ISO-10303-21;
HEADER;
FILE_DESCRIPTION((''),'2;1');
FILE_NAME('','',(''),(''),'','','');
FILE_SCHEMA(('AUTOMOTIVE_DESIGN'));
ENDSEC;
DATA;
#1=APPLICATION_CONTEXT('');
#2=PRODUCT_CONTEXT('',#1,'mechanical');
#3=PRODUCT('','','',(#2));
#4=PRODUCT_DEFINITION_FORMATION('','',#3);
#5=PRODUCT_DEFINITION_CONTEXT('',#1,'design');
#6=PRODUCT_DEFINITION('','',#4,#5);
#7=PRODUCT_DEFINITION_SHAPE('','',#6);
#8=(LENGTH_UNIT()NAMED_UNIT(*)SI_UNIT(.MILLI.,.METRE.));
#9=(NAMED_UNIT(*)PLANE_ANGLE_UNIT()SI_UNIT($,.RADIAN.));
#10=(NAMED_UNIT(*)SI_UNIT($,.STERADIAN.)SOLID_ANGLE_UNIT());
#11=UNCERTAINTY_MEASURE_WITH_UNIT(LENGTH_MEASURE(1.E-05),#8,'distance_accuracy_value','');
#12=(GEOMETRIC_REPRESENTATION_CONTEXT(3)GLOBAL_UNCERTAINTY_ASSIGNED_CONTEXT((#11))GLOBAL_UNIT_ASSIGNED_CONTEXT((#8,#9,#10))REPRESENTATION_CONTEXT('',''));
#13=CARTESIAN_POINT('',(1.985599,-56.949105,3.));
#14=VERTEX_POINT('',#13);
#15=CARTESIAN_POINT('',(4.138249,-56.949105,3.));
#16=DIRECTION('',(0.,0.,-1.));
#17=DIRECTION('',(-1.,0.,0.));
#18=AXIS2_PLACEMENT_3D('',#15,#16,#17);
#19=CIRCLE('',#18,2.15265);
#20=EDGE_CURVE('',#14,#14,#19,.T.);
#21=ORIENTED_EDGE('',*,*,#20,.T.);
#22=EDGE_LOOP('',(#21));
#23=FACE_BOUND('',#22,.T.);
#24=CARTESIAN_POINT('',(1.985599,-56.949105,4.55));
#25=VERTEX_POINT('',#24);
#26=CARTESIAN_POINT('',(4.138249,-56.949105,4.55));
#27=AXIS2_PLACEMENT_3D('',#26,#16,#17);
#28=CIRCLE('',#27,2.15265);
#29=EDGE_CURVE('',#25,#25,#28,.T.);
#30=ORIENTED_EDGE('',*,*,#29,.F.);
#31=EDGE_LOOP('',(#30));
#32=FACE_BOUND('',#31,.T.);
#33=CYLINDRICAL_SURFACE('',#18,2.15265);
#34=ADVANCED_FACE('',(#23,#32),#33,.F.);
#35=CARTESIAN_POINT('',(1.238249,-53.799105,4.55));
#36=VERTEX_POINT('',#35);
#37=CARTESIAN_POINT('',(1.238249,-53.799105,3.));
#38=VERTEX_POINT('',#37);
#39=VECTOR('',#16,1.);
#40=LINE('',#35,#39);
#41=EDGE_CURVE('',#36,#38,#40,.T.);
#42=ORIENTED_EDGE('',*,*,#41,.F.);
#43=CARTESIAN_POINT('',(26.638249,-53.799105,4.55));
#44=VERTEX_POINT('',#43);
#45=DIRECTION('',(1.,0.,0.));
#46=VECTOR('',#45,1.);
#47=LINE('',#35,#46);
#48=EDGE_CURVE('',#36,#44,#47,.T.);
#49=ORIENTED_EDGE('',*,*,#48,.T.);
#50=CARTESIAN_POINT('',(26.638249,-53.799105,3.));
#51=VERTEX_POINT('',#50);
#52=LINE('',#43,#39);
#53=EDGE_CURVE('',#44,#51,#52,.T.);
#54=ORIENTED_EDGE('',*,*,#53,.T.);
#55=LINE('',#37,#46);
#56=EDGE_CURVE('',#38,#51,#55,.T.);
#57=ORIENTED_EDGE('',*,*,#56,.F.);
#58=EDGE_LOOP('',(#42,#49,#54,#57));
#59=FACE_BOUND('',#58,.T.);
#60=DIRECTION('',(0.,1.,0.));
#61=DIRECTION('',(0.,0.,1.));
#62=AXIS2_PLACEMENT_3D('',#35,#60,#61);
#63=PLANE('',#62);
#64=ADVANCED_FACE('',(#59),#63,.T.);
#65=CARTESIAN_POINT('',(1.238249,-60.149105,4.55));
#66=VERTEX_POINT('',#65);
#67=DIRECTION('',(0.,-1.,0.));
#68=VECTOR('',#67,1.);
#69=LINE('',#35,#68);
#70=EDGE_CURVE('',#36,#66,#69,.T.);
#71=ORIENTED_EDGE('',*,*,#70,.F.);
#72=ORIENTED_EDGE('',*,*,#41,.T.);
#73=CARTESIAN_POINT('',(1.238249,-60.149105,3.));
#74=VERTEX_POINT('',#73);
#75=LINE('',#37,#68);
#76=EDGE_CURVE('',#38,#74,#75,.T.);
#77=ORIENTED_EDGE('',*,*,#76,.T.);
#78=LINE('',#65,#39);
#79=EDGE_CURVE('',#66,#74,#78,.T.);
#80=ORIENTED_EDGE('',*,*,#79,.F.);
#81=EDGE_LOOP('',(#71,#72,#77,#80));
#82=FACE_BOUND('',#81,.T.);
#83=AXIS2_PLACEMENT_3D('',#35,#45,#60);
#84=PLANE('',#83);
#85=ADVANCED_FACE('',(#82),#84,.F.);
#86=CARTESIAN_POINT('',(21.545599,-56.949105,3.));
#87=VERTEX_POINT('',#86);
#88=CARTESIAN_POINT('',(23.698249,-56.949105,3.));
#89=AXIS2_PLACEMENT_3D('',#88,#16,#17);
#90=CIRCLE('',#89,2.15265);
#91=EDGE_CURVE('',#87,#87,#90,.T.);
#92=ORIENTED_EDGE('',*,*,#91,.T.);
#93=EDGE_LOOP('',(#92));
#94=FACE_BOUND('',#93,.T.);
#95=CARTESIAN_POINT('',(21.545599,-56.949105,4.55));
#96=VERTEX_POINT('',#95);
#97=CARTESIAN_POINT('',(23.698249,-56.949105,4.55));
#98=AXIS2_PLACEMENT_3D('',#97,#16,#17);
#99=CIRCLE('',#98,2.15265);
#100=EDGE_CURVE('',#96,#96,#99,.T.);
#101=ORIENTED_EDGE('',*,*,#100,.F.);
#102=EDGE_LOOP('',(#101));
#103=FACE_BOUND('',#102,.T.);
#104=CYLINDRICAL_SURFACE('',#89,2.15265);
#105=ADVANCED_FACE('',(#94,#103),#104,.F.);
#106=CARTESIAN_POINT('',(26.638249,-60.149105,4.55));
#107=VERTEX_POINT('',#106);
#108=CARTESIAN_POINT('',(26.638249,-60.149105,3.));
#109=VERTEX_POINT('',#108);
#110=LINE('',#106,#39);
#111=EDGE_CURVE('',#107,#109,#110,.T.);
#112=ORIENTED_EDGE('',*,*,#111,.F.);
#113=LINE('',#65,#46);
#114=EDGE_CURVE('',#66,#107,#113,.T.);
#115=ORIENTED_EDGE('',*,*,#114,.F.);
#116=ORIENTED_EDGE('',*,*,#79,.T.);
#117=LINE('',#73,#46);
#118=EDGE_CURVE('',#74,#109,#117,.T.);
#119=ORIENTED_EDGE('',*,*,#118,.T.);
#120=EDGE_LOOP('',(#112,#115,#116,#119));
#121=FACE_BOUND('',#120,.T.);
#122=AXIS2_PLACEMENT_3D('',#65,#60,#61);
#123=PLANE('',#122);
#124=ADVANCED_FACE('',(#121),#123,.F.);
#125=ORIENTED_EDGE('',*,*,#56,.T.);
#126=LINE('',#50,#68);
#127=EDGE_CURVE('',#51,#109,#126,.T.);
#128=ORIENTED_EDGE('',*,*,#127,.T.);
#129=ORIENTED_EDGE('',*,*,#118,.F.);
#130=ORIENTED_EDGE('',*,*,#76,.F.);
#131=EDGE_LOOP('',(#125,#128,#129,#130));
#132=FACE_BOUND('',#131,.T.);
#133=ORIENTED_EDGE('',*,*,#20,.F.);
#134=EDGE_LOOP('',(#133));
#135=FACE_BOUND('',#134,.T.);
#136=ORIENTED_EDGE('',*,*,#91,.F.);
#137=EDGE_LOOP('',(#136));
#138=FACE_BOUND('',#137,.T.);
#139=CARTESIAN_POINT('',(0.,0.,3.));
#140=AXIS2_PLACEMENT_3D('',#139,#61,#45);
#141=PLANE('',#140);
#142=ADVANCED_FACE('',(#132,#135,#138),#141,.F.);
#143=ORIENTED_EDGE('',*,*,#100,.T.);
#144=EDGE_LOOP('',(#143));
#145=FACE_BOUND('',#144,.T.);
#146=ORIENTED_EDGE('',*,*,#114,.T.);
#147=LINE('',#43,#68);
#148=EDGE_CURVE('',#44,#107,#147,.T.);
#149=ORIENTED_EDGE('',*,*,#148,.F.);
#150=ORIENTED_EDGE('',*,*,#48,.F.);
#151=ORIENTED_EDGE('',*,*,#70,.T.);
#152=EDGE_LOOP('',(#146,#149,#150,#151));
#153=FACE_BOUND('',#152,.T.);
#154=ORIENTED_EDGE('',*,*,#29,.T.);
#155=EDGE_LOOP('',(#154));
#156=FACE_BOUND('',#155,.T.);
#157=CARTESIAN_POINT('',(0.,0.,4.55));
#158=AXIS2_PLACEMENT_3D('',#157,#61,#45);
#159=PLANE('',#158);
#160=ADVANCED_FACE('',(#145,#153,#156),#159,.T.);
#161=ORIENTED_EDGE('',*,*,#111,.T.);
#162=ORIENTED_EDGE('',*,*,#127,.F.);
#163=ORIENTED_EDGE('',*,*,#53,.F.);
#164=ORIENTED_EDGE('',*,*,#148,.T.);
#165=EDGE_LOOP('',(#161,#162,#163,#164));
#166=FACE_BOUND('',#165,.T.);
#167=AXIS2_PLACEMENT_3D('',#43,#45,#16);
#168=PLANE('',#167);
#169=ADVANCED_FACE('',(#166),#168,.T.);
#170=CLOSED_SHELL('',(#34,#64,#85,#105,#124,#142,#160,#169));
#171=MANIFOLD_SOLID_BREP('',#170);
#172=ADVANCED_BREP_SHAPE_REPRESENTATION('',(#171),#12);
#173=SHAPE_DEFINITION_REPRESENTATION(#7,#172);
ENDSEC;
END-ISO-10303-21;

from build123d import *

# Parameters (mm, degrees)
ESQUISSE2_W        = 25.4
ESQUISSE2_H        = 6.35
BOSS_EXTRU_1_DEPTH = 1.55
D_GAGEMENT_61_D    = 4.3053


with BuildPart() as part:
    # Esquisse2 → Boss.-Extru.1 (new body)
    with BuildSketch(Plane.XY.offset(3)):
        with Locations((13.938249305, -56.974105441)):
            Rectangle(ESQUISSE2_W, ESQUISSE2_H)
    extrude(amount=BOSS_EXTRU_1_DEPTH)

    # Dégagement #61 (through all)
    with Locations(Plane(origin=(0, 0, 3), x_dir=(-1, 0, 0), z_dir=(0, 0, -1))):
        with Locations((-4.138249305, -56.949105441), (-23.698249305, -56.949105441)):
            Hole(D_GAGEMENT_61_D / 2)


solid = part.part
